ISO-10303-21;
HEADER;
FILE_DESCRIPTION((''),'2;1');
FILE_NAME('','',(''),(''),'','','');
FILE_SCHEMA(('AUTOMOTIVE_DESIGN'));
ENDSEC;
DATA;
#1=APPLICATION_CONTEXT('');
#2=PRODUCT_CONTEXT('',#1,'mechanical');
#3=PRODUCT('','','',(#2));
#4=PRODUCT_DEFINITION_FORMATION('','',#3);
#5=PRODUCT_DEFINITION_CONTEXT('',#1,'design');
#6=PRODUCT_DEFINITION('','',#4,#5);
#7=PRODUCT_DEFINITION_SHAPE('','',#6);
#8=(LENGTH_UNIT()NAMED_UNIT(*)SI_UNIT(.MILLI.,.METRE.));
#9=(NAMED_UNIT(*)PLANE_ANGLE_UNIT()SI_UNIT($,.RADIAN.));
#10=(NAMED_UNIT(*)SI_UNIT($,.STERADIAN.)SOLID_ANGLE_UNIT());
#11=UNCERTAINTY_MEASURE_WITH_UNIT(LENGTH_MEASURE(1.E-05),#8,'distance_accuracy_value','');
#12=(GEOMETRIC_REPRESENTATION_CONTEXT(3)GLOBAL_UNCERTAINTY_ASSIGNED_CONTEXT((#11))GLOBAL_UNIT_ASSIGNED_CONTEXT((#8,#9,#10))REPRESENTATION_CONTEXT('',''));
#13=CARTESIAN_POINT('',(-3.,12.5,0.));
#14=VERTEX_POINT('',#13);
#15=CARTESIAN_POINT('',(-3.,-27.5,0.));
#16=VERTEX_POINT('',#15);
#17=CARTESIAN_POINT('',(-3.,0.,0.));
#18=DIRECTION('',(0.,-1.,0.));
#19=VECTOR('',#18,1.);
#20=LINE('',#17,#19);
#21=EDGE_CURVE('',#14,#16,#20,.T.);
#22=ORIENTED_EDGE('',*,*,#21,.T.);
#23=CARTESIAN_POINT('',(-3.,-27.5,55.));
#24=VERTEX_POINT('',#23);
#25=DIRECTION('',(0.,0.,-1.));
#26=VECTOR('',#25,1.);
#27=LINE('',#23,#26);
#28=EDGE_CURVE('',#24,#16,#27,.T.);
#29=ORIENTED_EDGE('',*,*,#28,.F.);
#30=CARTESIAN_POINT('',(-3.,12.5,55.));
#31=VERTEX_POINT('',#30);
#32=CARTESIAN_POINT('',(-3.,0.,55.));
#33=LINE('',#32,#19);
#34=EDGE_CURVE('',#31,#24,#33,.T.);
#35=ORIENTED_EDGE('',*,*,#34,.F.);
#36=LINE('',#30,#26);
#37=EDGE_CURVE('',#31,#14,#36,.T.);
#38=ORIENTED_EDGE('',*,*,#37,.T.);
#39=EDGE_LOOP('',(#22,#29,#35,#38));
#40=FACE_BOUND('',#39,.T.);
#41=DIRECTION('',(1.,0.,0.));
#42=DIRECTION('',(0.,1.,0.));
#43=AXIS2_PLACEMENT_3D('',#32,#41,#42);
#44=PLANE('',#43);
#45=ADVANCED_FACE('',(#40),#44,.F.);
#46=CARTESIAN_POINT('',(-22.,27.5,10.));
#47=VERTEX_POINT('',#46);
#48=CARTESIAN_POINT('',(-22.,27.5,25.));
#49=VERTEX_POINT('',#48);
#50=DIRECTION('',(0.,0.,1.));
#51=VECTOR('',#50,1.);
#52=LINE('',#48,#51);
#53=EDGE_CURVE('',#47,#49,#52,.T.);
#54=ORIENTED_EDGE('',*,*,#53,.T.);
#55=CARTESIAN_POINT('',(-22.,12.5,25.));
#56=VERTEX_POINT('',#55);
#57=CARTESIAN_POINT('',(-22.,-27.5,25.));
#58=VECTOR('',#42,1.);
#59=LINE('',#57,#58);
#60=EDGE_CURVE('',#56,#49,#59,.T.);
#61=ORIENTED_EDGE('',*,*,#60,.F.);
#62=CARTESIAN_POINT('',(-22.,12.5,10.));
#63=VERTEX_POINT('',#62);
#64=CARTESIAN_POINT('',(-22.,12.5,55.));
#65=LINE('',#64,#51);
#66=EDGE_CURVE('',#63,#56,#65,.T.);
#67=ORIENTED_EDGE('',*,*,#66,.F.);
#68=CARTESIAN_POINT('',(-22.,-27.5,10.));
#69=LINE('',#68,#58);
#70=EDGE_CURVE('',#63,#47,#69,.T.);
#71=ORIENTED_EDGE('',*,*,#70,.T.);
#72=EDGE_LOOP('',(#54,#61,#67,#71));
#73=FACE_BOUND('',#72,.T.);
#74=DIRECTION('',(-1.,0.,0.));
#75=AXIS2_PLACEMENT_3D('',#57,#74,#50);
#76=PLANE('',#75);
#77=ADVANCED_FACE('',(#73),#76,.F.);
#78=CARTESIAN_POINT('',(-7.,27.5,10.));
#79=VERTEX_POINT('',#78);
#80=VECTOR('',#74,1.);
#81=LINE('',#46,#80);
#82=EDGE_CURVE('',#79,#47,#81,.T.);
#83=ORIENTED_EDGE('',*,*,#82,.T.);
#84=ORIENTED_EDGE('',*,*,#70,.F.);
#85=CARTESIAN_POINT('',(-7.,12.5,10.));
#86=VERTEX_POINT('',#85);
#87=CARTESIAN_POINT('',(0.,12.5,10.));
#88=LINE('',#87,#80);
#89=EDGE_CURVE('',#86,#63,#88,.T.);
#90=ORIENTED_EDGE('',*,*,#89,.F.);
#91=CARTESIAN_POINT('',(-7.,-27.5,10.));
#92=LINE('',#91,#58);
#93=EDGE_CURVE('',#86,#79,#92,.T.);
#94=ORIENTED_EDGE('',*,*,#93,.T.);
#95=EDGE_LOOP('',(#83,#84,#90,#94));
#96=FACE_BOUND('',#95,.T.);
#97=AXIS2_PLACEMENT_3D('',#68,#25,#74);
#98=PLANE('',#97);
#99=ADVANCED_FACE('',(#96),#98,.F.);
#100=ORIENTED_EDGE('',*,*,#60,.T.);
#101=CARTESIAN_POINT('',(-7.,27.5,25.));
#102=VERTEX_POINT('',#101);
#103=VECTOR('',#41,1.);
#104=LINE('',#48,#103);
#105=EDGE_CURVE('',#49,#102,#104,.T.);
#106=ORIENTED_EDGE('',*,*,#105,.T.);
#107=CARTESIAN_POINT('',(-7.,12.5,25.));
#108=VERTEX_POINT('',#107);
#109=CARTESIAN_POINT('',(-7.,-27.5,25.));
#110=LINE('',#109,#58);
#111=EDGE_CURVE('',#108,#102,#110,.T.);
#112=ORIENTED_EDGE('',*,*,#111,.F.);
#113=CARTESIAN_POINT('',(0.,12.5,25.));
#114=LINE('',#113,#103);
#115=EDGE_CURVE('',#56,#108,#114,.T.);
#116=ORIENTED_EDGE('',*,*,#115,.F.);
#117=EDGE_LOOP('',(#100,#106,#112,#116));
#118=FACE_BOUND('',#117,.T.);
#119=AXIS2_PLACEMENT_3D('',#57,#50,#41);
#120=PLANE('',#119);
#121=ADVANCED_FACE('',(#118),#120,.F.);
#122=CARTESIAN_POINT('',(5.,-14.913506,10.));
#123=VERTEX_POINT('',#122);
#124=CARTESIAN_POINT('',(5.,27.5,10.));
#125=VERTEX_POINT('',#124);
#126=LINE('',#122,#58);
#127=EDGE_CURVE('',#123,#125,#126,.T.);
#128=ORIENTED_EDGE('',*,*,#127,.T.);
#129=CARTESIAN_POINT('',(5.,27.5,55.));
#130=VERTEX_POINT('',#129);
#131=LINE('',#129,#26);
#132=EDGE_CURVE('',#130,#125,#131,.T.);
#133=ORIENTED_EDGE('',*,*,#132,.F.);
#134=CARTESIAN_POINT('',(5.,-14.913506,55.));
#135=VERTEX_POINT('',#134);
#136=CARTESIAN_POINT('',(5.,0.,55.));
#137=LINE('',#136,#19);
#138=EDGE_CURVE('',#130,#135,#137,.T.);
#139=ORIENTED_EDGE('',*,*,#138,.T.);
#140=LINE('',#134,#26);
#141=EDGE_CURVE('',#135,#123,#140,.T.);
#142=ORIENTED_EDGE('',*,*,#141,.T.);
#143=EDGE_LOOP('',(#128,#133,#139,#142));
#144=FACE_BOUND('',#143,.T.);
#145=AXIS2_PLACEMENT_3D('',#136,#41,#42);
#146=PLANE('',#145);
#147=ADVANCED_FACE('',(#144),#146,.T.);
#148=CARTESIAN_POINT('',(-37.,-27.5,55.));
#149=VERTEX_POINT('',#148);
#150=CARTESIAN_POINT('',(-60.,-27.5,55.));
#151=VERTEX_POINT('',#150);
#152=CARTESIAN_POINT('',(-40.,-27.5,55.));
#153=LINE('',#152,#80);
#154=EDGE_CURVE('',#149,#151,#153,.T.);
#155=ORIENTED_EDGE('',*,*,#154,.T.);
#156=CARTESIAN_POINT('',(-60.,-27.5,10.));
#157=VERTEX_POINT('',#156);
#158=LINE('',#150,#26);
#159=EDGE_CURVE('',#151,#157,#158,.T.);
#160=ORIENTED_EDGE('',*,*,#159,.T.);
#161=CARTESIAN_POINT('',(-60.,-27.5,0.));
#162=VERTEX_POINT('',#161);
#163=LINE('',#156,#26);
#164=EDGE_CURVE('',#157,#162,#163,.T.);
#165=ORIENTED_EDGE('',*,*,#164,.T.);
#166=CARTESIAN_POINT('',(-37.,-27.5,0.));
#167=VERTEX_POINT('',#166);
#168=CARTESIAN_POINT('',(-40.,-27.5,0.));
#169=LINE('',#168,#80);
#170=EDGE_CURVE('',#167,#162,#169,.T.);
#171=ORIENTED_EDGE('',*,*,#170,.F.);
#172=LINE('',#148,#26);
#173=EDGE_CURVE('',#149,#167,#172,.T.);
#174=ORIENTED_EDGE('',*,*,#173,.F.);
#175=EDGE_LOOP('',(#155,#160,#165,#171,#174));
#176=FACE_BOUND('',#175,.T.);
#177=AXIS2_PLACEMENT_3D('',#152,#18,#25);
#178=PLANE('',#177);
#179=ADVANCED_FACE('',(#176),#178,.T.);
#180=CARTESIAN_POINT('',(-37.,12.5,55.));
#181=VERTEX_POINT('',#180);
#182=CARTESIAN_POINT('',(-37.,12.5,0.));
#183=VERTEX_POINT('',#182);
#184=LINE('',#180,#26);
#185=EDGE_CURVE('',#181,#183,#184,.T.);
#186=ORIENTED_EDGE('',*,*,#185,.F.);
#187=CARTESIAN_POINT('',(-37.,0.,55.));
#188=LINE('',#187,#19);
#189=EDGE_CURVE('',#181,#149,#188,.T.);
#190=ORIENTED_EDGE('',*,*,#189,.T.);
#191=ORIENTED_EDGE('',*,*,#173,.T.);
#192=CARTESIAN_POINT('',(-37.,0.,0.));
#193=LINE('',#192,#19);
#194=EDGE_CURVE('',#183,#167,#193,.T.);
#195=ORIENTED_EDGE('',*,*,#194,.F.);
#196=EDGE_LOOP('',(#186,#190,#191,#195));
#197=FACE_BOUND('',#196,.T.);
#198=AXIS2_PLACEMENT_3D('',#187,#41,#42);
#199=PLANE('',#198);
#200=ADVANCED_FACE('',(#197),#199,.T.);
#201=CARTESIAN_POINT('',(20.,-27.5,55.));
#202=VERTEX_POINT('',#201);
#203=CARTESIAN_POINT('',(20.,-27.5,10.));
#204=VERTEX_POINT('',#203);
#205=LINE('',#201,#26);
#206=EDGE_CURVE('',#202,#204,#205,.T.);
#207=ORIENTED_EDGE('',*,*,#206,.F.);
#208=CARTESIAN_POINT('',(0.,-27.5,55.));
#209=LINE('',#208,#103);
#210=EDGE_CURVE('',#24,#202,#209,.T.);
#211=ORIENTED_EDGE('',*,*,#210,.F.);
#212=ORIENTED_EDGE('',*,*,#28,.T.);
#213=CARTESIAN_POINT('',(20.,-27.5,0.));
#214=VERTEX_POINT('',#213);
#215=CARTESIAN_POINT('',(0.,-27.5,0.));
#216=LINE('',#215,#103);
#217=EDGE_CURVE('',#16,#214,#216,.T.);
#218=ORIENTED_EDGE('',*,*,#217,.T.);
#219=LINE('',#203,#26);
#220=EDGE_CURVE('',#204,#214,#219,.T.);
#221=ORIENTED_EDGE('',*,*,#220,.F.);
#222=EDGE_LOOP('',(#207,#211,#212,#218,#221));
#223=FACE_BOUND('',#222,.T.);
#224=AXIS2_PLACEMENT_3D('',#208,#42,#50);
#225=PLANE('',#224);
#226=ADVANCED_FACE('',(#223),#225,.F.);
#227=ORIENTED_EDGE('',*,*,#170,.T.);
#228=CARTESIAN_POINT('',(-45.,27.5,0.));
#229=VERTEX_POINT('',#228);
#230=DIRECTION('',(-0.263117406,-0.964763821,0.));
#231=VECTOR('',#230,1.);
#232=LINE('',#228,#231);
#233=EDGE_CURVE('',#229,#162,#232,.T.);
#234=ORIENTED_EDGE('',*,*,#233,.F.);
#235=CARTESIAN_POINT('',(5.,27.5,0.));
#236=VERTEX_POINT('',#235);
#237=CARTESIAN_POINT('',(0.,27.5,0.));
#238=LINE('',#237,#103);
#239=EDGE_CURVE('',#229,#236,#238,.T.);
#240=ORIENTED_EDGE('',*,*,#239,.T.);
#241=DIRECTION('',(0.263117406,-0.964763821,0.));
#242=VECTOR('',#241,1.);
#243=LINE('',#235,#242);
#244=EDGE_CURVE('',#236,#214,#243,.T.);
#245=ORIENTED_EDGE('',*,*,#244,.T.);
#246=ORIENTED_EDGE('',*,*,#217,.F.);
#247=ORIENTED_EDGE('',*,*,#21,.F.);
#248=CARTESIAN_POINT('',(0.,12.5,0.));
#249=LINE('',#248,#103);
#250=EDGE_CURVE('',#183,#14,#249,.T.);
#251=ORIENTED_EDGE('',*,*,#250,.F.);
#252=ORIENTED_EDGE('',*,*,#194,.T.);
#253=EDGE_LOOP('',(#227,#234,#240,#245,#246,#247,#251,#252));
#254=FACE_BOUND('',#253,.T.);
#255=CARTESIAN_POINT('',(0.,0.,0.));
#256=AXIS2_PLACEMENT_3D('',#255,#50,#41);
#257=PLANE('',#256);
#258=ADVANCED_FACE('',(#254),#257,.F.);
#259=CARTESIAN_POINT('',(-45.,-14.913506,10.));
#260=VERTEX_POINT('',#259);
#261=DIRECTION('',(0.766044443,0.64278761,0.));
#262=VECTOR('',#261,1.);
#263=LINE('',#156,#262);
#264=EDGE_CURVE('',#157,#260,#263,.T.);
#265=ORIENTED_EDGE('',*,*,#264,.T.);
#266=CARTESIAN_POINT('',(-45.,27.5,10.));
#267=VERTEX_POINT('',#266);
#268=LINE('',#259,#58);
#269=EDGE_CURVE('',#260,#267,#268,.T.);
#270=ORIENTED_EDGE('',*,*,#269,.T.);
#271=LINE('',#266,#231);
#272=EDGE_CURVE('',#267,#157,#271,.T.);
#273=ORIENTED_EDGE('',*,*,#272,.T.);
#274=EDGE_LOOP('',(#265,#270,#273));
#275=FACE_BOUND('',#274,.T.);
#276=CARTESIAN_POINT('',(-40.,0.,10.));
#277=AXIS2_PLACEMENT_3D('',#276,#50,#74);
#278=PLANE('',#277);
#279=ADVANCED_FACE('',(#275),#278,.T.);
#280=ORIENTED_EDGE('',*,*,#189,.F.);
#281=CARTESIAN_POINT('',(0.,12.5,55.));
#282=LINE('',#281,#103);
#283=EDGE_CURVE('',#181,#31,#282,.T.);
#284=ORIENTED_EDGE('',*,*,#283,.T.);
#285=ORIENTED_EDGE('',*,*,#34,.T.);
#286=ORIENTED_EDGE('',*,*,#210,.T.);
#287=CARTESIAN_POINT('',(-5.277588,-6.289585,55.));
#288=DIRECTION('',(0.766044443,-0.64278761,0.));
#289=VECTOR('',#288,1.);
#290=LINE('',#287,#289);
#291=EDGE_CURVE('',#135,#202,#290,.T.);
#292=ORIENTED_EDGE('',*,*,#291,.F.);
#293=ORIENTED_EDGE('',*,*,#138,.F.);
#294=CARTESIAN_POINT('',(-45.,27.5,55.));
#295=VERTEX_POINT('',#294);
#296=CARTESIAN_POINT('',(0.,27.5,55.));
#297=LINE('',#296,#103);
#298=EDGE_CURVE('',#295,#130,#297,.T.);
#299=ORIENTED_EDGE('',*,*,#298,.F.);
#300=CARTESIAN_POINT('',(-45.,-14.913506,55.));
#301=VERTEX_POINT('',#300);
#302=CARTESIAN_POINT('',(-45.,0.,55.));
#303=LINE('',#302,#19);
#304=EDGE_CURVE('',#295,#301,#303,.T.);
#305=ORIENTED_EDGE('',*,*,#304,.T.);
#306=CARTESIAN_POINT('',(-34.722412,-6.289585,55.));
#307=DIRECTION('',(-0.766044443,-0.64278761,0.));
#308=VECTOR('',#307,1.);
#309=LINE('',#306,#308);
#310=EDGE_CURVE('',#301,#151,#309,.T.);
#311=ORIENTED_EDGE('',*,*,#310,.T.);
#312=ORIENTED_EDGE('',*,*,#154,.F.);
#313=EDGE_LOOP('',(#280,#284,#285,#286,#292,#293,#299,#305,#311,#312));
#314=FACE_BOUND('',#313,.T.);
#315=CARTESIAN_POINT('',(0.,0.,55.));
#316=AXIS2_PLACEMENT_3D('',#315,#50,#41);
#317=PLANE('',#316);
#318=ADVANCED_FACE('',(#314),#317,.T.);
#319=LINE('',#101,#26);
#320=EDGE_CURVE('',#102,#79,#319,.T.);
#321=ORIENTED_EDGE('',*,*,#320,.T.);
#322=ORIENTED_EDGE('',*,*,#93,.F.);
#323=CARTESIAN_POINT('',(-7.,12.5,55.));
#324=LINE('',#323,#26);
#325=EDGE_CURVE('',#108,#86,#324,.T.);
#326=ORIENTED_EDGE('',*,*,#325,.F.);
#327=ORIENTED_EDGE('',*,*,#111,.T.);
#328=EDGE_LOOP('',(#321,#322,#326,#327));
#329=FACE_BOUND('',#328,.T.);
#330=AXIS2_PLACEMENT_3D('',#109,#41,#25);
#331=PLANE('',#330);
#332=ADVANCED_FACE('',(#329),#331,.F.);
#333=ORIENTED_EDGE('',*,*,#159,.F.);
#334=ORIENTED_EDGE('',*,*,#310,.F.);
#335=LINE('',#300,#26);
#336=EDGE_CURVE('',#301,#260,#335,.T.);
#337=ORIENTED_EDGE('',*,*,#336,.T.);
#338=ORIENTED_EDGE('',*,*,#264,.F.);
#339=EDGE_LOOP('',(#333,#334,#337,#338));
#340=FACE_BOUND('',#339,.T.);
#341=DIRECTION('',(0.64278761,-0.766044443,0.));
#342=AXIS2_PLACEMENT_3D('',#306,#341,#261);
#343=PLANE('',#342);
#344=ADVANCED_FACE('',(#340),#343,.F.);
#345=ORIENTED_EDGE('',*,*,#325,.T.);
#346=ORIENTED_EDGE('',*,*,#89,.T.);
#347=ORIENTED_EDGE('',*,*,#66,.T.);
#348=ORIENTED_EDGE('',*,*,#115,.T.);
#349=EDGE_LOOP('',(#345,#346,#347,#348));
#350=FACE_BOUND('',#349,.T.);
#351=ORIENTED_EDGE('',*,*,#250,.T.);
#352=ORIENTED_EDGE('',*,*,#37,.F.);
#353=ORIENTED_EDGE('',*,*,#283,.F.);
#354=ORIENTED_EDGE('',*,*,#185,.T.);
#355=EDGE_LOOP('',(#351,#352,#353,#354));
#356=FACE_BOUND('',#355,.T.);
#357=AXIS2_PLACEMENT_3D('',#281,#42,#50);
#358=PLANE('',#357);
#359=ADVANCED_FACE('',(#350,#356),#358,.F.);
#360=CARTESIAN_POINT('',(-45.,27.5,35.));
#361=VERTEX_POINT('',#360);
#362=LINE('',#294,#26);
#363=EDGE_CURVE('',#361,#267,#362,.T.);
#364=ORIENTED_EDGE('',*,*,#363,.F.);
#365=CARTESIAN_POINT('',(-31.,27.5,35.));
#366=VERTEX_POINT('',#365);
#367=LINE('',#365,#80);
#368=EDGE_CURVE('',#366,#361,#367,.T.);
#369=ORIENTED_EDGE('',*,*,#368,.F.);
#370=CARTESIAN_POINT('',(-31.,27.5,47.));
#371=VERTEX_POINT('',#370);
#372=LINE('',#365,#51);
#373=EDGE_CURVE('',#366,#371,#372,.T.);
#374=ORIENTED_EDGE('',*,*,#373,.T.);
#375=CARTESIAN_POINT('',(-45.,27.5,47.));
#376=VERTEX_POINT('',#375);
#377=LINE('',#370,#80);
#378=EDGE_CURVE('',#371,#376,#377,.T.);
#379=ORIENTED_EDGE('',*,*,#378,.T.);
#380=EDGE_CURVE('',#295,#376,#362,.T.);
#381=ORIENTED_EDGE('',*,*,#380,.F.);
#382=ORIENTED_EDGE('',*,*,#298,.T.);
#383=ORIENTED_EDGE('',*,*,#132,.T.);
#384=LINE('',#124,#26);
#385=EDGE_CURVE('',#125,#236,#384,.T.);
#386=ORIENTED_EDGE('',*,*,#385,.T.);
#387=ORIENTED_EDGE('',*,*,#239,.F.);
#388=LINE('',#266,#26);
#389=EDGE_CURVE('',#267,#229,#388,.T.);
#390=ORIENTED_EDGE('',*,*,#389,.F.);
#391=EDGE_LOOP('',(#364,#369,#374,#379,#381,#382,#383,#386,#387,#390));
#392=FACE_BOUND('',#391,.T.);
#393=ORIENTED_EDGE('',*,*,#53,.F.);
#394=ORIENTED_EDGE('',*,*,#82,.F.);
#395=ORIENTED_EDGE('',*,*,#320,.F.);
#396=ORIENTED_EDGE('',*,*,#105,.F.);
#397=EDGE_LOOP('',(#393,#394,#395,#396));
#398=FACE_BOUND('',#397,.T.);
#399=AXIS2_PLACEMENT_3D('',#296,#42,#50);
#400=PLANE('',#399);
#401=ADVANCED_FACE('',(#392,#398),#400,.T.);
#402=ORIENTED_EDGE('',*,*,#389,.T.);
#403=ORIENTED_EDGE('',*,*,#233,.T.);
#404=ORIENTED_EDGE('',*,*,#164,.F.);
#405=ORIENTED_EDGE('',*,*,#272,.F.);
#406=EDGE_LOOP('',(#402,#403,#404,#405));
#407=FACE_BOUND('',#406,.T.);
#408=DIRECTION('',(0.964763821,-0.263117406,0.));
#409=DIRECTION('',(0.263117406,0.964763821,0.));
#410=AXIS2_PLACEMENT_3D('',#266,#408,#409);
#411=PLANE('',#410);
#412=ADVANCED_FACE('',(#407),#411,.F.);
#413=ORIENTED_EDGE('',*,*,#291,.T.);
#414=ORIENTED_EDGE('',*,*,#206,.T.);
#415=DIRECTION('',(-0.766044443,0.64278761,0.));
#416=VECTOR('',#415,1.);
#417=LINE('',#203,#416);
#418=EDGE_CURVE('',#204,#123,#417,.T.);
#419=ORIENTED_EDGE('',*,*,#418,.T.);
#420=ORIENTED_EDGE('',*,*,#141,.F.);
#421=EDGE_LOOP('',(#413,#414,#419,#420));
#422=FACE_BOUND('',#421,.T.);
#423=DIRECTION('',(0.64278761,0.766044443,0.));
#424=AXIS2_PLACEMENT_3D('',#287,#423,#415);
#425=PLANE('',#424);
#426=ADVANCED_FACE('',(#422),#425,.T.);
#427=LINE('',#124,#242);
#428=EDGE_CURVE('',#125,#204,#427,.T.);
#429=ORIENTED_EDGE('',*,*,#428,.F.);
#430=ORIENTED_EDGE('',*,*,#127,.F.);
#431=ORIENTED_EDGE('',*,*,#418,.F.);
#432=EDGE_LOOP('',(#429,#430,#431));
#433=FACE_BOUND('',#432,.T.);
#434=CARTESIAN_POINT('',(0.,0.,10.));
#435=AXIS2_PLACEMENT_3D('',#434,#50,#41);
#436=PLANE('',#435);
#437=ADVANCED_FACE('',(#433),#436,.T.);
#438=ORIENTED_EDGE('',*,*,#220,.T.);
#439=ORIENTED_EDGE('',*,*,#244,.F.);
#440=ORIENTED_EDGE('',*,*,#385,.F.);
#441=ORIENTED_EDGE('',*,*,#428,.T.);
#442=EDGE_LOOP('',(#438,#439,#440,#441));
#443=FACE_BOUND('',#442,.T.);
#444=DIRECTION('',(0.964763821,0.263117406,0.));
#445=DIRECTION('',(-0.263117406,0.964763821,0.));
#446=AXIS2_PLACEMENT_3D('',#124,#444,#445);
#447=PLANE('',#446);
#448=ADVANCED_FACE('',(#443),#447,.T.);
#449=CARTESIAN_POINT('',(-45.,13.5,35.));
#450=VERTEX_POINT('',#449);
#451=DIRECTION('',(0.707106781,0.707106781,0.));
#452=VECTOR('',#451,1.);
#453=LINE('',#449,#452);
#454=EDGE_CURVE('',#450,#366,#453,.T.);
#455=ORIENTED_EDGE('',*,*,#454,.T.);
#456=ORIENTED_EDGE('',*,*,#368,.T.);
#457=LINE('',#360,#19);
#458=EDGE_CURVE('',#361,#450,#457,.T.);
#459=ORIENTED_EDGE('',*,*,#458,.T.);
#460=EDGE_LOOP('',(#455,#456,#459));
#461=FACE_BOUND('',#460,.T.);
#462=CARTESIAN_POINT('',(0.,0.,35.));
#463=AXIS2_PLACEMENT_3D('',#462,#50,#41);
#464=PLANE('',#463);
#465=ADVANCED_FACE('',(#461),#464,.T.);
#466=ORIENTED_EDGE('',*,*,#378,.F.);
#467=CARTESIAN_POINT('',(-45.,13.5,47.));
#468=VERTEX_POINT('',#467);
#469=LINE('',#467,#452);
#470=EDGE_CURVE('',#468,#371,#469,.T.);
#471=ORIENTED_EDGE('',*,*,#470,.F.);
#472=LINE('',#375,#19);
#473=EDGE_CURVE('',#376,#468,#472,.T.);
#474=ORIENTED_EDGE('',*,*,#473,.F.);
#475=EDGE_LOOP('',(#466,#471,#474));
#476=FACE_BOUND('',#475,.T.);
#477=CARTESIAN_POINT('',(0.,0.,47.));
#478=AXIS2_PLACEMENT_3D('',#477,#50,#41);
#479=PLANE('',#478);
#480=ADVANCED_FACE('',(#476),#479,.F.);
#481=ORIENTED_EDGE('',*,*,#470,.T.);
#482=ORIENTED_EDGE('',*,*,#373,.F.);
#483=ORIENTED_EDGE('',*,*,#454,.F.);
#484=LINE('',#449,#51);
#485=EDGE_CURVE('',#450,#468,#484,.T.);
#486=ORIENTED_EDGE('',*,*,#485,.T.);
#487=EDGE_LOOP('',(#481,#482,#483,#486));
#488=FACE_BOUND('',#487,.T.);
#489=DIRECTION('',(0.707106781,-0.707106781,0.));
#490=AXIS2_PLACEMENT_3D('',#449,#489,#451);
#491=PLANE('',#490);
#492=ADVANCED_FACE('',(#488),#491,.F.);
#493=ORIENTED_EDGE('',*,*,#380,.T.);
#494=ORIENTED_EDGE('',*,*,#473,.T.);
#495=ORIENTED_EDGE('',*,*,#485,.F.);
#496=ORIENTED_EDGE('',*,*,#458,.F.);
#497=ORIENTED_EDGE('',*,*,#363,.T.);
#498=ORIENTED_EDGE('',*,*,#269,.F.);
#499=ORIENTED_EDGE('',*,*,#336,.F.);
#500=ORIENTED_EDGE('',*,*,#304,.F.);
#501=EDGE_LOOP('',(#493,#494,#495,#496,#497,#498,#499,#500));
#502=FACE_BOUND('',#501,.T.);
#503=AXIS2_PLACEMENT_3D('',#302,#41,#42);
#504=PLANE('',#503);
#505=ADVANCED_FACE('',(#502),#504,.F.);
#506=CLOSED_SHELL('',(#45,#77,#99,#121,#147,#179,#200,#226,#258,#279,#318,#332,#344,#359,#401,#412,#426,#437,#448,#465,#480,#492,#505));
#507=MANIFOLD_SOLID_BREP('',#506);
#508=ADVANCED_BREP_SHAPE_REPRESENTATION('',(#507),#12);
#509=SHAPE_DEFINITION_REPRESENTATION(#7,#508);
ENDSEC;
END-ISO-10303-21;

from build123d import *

# Parameters (mm, degrees)
EXTRUDE_1_DEPTH     = 55
EXTRUDE_2_DEPTH     = 10
SKETCH_3_W          = 15
SKETCH_3_H          = 15
CUT_EXTRUDE_1_DEPTH = 99.234413522
CUT_EXTRUDE_START   = -8
CUT_EXTRUDE_2_DEPTH = 12


with BuildPart() as part:
    # Эскиз1 → Бобышка-Вытянуть1 (new body)
    with BuildSketch(Plane.XY):
        Polygon((-20, 27.5), (-20, 12.5), (-3, 12.5), (-3, -27.5), (20, -27.5), (5, -14.913505532), (5, 27.5), align=None)
    extrude_1 = extrude(amount=EXTRUDE_1_DEPTH)

    # Эскиз2 → Бобышка-Вытянуть2 (add)
    with BuildSketch(Plane(origin=(0, 0, 0), x_dir=(-1, 0, 0), z_dir=(0, 0, -1))):
        Polygon((-5, 27.5), (-20, -27.5), (-5, -14.913505532), align=None)
    extrude_2 = extrude(amount=-EXTRUDE_2_DEPTH)

    # Зеркальное отражение1: Бобышка-Вытянуть1, Бобышка-Вытянуть2 across plane
    add(extrude_1.mirror(Plane(origin=(-20, 0, 55), x_dir=(0, 0, 1), z_dir=(-1, 0, 0))))
    add(extrude_2.mirror(Plane(origin=(-20, 0, 55), x_dir=(0, 0, 1), z_dir=(-1, 0, 0))))

    # Эскиз3 → Вырез-Вытянуть1 (cut, through all)
    with BuildSketch(Plane(origin=(0, 27.5, 0), x_dir=(1, 0, 0), z_dir=(0, 1, 0))):
        with Locations((-14.5, -17.5)):
            Rectangle(SKETCH_3_W, SKETCH_3_H)
    extrude(amount=-CUT_EXTRUDE_1_DEPTH, mode=Mode.SUBTRACT)

    # Эскиз4 → Вырез-Вытянуть2 (cut)
    with BuildSketch(Plane.XY.offset(55).offset(CUT_EXTRUDE_START)):
        Polygon((-45, 27.5), (-45, 13.5), (-31, 27.5), align=None)
    extrude(amount=-CUT_EXTRUDE_2_DEPTH, mode=Mode.SUBTRACT)


solid = part.part
